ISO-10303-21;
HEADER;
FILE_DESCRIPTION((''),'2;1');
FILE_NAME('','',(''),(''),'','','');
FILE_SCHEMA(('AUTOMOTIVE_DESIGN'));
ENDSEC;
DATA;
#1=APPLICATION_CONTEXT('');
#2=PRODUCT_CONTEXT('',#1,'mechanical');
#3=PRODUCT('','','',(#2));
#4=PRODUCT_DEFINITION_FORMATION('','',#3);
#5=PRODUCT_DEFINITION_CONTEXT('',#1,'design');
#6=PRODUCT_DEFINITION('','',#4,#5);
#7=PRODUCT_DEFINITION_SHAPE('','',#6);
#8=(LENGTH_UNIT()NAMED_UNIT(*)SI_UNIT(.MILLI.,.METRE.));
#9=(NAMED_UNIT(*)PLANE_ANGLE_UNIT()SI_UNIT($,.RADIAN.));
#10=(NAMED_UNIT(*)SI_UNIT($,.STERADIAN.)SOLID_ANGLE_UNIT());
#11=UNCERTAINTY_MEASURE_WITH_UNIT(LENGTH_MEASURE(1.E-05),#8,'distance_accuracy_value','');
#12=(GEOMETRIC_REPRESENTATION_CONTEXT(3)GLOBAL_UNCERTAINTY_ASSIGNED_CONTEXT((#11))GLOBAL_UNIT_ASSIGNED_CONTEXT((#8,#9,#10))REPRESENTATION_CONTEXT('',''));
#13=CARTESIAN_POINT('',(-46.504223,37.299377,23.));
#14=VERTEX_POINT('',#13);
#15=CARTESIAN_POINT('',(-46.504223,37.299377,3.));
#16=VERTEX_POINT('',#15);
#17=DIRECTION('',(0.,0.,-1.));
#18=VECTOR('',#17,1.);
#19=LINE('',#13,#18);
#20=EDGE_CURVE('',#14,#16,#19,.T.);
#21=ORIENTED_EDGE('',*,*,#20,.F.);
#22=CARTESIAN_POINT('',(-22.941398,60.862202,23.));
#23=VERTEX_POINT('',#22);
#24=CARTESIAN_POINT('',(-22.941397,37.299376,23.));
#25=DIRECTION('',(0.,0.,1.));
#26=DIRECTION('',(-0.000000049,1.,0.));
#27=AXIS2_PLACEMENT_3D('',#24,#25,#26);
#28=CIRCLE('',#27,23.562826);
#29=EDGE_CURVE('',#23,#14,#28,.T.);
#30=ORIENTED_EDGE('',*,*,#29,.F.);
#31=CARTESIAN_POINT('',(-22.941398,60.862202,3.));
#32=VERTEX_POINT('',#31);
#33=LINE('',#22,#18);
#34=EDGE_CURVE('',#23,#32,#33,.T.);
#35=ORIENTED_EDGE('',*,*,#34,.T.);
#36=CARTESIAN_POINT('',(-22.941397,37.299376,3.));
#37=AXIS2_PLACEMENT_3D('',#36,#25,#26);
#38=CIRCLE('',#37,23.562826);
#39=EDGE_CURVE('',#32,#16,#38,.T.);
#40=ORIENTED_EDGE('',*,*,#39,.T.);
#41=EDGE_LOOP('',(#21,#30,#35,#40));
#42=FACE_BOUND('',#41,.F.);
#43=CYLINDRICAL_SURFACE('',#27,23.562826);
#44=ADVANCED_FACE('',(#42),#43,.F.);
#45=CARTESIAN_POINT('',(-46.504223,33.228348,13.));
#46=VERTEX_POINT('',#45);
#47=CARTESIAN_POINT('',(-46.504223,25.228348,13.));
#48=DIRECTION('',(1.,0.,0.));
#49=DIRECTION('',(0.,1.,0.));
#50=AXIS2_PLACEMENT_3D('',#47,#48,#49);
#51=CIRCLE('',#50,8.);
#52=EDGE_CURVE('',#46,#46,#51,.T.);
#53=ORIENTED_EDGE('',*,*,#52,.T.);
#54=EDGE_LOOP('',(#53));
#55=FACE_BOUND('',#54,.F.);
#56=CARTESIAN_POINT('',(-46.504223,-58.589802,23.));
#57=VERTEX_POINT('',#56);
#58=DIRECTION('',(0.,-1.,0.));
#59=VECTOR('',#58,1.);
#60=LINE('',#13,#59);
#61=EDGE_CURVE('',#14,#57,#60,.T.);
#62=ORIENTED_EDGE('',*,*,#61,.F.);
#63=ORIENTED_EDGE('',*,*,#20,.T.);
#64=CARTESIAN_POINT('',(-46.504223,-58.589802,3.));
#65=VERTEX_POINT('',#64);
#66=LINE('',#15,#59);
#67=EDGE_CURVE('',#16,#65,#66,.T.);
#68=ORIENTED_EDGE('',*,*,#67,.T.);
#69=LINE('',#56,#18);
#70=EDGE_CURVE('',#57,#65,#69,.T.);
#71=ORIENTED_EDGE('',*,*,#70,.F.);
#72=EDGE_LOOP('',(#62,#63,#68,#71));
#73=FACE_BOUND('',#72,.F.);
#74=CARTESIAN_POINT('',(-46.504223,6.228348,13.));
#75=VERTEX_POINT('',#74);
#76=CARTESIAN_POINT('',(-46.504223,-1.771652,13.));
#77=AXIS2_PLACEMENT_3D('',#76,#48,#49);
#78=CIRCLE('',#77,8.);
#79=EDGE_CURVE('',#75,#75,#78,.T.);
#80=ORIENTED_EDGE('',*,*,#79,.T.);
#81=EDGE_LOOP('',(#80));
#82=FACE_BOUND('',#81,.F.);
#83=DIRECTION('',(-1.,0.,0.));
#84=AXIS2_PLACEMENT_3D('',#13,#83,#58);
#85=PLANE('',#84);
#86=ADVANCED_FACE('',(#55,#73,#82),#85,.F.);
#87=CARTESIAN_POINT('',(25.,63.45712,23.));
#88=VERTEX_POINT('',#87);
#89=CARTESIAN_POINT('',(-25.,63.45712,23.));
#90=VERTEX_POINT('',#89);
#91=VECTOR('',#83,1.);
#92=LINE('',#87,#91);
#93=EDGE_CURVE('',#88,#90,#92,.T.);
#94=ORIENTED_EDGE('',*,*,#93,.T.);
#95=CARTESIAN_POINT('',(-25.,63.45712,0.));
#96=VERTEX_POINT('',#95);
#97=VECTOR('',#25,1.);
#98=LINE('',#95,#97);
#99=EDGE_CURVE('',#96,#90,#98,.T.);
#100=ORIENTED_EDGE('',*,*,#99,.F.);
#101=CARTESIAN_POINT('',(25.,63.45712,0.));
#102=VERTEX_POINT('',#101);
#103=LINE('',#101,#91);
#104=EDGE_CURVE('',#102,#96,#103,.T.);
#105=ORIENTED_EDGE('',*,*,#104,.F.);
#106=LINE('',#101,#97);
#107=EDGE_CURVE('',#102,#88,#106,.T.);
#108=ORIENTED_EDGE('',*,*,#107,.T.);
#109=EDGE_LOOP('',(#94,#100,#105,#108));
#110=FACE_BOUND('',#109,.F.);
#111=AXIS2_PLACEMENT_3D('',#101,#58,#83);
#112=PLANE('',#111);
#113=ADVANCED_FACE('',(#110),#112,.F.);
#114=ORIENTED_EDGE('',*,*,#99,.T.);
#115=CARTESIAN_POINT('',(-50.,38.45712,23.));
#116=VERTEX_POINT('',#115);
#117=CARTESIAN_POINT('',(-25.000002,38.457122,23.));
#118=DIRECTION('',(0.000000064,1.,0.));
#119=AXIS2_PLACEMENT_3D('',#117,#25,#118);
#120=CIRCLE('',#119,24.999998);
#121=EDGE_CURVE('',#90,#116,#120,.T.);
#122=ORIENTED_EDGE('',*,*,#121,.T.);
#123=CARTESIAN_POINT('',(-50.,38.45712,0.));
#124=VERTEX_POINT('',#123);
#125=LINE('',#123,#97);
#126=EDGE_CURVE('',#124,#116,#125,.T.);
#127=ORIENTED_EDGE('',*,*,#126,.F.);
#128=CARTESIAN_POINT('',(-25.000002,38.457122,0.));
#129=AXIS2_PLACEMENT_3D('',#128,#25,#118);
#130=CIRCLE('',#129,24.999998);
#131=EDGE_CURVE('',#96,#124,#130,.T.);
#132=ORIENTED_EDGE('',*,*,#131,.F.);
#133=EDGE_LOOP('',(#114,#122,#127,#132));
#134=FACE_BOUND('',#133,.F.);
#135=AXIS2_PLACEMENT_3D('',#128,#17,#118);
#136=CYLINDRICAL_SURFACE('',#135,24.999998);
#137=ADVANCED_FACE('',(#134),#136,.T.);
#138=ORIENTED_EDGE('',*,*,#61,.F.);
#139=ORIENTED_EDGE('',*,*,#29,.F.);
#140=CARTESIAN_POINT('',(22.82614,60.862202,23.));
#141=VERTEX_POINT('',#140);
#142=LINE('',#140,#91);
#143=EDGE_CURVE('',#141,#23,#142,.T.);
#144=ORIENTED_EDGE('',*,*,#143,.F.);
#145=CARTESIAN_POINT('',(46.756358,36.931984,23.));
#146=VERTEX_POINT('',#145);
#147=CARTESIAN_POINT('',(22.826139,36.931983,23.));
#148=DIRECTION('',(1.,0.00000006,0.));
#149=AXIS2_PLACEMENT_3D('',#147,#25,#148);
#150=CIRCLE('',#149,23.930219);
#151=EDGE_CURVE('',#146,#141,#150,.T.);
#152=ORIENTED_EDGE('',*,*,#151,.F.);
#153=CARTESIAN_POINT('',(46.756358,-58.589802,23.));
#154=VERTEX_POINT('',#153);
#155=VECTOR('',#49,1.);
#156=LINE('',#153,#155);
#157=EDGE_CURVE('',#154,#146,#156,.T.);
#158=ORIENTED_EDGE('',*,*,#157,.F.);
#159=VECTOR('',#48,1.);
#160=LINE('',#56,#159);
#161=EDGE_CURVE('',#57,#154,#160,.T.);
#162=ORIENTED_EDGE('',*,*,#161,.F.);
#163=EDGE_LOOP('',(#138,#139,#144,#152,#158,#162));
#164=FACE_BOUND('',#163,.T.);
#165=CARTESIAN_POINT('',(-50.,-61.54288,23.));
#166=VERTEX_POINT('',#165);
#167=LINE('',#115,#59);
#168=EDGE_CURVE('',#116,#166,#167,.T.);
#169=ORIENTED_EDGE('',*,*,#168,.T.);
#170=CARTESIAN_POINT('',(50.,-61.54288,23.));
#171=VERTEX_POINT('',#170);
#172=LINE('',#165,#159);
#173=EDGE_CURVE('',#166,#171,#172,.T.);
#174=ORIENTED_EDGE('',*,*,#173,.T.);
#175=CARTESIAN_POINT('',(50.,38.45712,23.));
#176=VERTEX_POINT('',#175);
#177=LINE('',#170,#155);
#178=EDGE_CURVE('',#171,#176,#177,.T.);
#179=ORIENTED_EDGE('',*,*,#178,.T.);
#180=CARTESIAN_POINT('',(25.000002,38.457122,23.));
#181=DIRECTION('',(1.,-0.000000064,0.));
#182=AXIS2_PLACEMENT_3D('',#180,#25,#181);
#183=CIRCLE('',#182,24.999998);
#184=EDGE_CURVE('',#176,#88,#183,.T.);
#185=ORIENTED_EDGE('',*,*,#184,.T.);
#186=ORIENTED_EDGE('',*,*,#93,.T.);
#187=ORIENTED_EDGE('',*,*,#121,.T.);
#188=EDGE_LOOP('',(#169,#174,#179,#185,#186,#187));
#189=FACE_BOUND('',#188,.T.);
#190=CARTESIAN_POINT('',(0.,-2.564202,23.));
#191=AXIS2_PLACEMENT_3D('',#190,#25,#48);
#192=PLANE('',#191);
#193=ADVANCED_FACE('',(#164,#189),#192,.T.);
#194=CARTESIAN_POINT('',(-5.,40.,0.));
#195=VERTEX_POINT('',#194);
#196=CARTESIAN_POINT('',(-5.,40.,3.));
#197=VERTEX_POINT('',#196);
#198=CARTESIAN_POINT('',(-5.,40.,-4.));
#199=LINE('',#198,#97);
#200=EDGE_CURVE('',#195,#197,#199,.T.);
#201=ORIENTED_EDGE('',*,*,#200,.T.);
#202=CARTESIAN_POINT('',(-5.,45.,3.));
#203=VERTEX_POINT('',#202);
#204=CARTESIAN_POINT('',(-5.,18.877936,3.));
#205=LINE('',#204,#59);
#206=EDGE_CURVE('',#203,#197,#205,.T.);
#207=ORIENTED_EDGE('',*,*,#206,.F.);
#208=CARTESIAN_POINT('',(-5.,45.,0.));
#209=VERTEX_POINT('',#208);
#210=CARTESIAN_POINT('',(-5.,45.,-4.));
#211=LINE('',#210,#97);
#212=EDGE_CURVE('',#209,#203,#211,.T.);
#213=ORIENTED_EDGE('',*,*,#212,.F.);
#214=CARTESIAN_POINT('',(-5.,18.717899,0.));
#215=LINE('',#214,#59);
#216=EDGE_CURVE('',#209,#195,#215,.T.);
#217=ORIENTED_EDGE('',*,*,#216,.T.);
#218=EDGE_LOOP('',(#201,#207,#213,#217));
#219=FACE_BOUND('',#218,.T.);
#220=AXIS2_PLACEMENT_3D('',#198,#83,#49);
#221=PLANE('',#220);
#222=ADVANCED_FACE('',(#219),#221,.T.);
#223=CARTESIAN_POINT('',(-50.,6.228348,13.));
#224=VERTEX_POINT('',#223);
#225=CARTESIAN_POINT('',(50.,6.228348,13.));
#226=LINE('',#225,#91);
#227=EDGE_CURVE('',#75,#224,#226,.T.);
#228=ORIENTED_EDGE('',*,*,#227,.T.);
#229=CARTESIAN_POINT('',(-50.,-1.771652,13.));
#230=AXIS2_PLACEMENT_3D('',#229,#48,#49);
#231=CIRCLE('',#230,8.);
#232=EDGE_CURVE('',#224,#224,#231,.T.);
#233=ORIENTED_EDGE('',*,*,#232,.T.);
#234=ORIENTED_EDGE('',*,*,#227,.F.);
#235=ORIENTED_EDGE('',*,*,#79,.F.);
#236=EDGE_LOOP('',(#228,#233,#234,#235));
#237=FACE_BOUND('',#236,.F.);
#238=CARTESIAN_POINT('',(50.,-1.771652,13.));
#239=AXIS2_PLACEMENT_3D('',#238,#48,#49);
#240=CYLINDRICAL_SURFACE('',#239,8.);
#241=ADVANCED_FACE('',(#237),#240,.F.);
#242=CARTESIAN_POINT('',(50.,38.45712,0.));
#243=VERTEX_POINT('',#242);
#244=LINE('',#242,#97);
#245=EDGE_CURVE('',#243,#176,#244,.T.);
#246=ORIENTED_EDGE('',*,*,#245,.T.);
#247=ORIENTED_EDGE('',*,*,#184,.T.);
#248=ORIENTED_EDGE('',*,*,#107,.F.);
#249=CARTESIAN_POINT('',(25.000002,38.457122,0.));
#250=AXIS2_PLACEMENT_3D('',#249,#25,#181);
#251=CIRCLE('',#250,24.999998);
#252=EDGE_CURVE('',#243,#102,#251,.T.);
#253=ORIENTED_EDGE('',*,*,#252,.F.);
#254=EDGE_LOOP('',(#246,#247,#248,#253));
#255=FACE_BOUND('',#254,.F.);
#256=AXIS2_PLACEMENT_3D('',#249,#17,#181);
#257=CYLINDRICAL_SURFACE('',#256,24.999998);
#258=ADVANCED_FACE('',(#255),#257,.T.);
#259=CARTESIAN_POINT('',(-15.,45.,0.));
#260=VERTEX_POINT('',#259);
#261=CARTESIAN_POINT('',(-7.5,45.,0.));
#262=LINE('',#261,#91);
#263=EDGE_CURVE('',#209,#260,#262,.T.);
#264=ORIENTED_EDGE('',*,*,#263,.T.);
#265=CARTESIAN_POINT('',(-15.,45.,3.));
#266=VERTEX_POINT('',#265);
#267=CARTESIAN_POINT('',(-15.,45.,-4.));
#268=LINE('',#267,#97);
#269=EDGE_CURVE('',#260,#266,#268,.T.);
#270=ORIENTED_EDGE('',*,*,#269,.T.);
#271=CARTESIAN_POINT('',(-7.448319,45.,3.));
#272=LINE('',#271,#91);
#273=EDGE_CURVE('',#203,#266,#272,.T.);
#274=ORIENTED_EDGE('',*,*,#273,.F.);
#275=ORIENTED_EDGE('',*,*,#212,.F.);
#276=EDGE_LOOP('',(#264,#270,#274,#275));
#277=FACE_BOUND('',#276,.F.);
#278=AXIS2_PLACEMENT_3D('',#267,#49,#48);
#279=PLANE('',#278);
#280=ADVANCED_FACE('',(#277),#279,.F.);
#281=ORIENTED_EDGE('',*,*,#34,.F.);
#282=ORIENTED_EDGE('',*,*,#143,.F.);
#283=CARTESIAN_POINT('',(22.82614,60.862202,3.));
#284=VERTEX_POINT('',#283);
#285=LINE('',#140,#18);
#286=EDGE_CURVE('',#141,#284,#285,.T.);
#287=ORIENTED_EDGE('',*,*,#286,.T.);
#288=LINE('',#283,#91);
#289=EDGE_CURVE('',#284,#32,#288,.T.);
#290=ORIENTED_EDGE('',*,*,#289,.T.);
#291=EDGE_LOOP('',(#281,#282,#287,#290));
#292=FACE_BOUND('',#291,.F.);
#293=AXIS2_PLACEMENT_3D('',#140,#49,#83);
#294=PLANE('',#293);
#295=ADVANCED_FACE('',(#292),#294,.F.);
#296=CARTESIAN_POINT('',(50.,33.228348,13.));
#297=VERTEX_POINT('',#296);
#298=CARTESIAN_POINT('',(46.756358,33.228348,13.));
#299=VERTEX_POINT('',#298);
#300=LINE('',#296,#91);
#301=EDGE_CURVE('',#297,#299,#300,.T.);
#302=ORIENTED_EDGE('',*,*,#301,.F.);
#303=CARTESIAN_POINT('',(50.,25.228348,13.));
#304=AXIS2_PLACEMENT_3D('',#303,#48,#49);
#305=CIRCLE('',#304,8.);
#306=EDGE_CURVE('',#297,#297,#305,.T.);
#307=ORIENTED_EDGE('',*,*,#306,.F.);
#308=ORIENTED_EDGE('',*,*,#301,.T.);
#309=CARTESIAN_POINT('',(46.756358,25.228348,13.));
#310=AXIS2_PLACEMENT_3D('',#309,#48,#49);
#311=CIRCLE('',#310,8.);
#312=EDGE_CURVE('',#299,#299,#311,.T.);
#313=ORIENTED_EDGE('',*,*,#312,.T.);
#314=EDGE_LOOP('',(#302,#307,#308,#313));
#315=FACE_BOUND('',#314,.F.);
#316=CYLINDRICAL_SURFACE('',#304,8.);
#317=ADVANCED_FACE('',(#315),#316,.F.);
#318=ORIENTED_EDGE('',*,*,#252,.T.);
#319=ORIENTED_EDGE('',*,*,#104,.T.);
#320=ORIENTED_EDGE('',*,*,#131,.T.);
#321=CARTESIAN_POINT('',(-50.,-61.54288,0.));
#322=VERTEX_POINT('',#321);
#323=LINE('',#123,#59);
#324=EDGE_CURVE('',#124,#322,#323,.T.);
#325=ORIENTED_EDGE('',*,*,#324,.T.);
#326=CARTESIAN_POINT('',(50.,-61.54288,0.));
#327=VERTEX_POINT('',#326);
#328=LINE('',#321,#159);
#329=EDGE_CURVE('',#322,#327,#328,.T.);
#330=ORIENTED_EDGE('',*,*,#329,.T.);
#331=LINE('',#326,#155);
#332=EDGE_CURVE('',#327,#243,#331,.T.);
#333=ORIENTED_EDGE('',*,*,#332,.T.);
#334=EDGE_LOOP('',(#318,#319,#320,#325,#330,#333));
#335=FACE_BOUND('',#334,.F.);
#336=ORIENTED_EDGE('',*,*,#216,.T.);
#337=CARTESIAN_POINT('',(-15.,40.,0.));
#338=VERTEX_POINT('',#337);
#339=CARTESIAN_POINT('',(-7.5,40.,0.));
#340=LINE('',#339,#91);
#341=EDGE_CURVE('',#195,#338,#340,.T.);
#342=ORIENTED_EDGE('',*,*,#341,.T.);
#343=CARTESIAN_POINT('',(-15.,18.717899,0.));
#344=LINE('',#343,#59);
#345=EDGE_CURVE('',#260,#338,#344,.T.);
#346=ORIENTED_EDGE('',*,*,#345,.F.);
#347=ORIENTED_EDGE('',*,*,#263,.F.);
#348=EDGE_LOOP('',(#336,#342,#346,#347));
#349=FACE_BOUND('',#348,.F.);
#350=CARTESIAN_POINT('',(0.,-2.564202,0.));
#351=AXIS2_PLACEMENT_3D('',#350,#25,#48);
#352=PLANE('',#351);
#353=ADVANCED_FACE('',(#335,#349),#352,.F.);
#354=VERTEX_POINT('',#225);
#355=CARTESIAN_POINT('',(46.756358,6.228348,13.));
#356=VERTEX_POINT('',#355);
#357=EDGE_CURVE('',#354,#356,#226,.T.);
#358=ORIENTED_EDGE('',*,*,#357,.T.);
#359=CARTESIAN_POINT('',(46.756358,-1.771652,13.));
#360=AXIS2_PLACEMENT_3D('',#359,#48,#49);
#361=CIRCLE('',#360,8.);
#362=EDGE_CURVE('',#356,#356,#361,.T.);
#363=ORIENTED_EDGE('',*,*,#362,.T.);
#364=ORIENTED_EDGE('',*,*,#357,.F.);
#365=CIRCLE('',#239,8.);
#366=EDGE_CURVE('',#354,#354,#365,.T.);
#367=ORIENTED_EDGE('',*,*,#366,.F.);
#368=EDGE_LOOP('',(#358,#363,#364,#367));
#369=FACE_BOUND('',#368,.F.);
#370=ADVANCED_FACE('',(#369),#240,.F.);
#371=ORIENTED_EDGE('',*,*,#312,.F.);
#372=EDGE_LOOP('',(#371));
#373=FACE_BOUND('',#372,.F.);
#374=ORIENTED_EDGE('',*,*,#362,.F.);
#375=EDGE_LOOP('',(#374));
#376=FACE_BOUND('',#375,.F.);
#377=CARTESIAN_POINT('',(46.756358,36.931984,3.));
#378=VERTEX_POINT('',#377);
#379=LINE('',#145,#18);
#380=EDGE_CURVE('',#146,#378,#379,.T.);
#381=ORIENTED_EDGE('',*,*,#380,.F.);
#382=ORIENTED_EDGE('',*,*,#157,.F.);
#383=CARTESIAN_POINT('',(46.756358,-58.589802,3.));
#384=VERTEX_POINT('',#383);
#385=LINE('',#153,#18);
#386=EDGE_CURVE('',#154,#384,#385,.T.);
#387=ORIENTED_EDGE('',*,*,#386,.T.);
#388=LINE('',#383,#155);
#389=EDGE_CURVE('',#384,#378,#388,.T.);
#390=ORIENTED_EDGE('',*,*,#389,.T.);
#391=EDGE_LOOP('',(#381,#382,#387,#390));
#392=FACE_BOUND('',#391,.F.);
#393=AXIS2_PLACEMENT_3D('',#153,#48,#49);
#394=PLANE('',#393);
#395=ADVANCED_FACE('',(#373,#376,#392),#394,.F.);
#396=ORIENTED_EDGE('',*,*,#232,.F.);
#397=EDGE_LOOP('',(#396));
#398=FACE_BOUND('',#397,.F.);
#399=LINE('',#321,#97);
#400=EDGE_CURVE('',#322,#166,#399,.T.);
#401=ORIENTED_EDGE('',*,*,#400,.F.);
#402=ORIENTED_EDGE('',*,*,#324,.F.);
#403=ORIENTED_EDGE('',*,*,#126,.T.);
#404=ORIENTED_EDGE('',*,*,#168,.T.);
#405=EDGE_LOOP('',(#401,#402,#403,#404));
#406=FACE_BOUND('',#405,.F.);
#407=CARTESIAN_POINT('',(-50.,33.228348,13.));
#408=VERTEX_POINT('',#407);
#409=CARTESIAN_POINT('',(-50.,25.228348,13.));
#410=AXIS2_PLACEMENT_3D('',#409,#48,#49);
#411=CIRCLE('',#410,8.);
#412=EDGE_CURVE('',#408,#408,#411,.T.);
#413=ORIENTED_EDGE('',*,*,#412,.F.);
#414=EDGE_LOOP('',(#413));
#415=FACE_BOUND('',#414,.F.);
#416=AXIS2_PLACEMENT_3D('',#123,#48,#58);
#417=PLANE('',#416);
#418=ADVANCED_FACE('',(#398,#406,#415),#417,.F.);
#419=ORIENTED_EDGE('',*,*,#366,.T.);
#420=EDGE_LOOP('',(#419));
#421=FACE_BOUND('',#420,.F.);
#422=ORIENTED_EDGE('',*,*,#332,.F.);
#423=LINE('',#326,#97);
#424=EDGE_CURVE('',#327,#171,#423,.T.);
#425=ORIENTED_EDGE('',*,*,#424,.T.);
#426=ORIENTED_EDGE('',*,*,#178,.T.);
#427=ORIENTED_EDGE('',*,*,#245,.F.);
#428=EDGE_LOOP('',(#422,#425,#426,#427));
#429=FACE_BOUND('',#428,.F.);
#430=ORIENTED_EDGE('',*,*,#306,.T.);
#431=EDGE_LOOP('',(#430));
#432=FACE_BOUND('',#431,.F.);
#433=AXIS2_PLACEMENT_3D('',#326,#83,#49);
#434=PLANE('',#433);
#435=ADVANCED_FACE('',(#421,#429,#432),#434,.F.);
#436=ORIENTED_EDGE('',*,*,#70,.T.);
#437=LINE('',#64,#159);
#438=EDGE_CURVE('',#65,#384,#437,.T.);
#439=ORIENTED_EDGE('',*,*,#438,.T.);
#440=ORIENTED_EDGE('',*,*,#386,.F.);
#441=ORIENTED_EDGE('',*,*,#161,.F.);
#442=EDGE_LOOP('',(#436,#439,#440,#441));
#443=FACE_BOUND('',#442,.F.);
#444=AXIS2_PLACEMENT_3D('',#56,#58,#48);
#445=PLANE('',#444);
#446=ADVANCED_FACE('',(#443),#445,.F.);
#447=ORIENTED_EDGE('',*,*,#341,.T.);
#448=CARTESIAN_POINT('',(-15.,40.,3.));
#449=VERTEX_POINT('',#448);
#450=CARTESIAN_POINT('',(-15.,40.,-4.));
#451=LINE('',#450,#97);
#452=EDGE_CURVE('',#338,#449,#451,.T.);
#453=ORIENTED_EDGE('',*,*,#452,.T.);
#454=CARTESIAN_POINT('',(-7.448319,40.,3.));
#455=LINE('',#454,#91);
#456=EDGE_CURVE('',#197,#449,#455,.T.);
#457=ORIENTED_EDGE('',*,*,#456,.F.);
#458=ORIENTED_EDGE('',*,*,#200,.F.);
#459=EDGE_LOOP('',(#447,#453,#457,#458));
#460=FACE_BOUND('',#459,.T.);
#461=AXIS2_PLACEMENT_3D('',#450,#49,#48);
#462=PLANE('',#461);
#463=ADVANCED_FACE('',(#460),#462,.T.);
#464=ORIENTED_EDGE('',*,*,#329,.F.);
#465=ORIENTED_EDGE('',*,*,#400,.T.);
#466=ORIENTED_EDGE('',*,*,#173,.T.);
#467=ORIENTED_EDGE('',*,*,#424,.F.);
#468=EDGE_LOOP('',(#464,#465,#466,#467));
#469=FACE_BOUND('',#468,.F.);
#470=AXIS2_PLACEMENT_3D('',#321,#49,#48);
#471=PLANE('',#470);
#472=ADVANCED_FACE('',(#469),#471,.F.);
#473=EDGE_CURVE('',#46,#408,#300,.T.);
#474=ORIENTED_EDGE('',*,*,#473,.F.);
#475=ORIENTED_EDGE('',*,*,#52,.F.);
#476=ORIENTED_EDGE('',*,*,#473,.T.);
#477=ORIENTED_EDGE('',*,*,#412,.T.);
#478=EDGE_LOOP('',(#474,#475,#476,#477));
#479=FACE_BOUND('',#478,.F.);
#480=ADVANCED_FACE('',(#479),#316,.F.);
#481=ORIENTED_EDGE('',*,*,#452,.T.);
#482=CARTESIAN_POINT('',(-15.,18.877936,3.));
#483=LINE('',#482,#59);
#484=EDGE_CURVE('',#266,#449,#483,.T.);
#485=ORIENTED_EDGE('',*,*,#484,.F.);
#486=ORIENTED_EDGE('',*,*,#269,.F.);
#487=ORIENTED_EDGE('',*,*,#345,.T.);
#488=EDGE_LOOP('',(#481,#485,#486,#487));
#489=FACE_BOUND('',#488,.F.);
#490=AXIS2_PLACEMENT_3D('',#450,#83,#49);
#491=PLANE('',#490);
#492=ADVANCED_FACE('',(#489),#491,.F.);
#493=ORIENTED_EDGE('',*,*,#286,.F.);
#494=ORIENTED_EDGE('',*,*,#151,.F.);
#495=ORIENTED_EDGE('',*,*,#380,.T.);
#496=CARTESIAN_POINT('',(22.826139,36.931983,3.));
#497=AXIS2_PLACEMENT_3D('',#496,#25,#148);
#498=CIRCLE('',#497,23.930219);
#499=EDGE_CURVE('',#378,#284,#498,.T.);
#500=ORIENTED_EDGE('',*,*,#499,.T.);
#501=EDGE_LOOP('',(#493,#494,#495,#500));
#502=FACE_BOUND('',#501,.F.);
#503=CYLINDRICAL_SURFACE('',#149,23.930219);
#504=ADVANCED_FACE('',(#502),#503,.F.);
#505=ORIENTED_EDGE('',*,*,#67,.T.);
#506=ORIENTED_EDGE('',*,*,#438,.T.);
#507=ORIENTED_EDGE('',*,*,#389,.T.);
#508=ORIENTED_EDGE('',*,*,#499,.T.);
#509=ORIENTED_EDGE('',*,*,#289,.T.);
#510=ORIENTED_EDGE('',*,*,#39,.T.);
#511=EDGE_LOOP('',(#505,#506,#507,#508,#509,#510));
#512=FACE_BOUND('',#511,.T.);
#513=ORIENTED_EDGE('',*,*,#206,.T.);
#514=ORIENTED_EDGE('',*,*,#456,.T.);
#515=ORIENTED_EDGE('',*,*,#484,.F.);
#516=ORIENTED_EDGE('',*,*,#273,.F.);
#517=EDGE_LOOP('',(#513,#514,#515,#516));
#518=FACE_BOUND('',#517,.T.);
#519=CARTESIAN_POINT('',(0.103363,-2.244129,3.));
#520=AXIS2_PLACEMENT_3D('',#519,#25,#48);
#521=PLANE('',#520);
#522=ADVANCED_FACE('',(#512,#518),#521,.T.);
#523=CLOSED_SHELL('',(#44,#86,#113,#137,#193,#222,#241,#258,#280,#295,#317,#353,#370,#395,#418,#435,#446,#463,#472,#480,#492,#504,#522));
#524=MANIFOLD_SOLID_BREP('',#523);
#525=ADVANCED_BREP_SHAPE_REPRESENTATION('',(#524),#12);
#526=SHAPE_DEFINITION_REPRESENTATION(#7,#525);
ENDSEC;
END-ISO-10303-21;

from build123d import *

# Parameters (mm, degrees)
BOX008_W        = 10
BOX008_H        = 5
BOX008_DEPTH    = 10
PAD_DEPTH       = 23
POCKET_DEPTH    = 20
SKETCH002_R     = 8
POCKET001_DEPTH = 100.001


with BuildPart() as cube008:
    # Box008 → Box008 (new body)
    with BuildSketch(Plane(origin=(-15, 40, -4), x_dir=(1, 0, 0), z_dir=(0, 0, 1))):
        with Locations((5, 2.5)):
            Rectangle(BOX008_W, BOX008_H)
    extrude(amount=BOX008_DEPTH)


with BuildPart() as cut012:
    # Sketch → Pad (new body)
    with BuildSketch(Plane.XY):
        with BuildLine():
            Line((-50, 38.45712), (-50, -61.54288))
            Line((-50, -61.54288), (50, -61.54288))
            Line((50, -61.54288), (50, 38.45712))
            ThreePointArc((50, 38.45712), (42.67767, 56.13479), (25, 63.45712))
            Line((25, 63.45712), (-25, 63.45712))
            ThreePointArc((-25, 63.45712), (-42.67767, 56.13479), (-50, 38.45712))
        make_face()
    extrude(amount=PAD_DEPTH)

    # Sketch001 → Pocket (cut)
    with BuildSketch(Plane.XY.offset(23)):
        with BuildLine():
            Line((-46.504223, 37.299377), (-46.504223, -58.589802))
            Line((-46.504223, -58.589802), (46.756358, -58.589802))
            Line((46.756358, -58.589802), (46.756358, 36.931984))
            ThreePointArc((46.756358, 36.931984), (39.747359, 53.853203), (22.82614, 60.862202))
            Line((22.82614, 60.862202), (-22.941398, 60.862202))
            ThreePointArc((-22.941398, 60.862202), (-39.602831, 53.96081), (-46.504223, 37.299377))
        make_face()
    extrude(amount=-POCKET_DEPTH, mode=Mode.SUBTRACT)

    # Sketch002 → Pocket001 (cut, through all)
    with BuildSketch(Plane.YZ.offset(50)):
        with Locations((-1.771652, 13)):
            Circle(SKETCH002_R)
        with Locations((25.228348, 13)):
            Circle(SKETCH002_R)
    extrude(amount=-POCKET001_DEPTH, mode=Mode.SUBTRACT)

    # Cut012: cut Cube008
    add(cube008.part, mode=Mode.SUBTRACT)


solid = cut012.part
